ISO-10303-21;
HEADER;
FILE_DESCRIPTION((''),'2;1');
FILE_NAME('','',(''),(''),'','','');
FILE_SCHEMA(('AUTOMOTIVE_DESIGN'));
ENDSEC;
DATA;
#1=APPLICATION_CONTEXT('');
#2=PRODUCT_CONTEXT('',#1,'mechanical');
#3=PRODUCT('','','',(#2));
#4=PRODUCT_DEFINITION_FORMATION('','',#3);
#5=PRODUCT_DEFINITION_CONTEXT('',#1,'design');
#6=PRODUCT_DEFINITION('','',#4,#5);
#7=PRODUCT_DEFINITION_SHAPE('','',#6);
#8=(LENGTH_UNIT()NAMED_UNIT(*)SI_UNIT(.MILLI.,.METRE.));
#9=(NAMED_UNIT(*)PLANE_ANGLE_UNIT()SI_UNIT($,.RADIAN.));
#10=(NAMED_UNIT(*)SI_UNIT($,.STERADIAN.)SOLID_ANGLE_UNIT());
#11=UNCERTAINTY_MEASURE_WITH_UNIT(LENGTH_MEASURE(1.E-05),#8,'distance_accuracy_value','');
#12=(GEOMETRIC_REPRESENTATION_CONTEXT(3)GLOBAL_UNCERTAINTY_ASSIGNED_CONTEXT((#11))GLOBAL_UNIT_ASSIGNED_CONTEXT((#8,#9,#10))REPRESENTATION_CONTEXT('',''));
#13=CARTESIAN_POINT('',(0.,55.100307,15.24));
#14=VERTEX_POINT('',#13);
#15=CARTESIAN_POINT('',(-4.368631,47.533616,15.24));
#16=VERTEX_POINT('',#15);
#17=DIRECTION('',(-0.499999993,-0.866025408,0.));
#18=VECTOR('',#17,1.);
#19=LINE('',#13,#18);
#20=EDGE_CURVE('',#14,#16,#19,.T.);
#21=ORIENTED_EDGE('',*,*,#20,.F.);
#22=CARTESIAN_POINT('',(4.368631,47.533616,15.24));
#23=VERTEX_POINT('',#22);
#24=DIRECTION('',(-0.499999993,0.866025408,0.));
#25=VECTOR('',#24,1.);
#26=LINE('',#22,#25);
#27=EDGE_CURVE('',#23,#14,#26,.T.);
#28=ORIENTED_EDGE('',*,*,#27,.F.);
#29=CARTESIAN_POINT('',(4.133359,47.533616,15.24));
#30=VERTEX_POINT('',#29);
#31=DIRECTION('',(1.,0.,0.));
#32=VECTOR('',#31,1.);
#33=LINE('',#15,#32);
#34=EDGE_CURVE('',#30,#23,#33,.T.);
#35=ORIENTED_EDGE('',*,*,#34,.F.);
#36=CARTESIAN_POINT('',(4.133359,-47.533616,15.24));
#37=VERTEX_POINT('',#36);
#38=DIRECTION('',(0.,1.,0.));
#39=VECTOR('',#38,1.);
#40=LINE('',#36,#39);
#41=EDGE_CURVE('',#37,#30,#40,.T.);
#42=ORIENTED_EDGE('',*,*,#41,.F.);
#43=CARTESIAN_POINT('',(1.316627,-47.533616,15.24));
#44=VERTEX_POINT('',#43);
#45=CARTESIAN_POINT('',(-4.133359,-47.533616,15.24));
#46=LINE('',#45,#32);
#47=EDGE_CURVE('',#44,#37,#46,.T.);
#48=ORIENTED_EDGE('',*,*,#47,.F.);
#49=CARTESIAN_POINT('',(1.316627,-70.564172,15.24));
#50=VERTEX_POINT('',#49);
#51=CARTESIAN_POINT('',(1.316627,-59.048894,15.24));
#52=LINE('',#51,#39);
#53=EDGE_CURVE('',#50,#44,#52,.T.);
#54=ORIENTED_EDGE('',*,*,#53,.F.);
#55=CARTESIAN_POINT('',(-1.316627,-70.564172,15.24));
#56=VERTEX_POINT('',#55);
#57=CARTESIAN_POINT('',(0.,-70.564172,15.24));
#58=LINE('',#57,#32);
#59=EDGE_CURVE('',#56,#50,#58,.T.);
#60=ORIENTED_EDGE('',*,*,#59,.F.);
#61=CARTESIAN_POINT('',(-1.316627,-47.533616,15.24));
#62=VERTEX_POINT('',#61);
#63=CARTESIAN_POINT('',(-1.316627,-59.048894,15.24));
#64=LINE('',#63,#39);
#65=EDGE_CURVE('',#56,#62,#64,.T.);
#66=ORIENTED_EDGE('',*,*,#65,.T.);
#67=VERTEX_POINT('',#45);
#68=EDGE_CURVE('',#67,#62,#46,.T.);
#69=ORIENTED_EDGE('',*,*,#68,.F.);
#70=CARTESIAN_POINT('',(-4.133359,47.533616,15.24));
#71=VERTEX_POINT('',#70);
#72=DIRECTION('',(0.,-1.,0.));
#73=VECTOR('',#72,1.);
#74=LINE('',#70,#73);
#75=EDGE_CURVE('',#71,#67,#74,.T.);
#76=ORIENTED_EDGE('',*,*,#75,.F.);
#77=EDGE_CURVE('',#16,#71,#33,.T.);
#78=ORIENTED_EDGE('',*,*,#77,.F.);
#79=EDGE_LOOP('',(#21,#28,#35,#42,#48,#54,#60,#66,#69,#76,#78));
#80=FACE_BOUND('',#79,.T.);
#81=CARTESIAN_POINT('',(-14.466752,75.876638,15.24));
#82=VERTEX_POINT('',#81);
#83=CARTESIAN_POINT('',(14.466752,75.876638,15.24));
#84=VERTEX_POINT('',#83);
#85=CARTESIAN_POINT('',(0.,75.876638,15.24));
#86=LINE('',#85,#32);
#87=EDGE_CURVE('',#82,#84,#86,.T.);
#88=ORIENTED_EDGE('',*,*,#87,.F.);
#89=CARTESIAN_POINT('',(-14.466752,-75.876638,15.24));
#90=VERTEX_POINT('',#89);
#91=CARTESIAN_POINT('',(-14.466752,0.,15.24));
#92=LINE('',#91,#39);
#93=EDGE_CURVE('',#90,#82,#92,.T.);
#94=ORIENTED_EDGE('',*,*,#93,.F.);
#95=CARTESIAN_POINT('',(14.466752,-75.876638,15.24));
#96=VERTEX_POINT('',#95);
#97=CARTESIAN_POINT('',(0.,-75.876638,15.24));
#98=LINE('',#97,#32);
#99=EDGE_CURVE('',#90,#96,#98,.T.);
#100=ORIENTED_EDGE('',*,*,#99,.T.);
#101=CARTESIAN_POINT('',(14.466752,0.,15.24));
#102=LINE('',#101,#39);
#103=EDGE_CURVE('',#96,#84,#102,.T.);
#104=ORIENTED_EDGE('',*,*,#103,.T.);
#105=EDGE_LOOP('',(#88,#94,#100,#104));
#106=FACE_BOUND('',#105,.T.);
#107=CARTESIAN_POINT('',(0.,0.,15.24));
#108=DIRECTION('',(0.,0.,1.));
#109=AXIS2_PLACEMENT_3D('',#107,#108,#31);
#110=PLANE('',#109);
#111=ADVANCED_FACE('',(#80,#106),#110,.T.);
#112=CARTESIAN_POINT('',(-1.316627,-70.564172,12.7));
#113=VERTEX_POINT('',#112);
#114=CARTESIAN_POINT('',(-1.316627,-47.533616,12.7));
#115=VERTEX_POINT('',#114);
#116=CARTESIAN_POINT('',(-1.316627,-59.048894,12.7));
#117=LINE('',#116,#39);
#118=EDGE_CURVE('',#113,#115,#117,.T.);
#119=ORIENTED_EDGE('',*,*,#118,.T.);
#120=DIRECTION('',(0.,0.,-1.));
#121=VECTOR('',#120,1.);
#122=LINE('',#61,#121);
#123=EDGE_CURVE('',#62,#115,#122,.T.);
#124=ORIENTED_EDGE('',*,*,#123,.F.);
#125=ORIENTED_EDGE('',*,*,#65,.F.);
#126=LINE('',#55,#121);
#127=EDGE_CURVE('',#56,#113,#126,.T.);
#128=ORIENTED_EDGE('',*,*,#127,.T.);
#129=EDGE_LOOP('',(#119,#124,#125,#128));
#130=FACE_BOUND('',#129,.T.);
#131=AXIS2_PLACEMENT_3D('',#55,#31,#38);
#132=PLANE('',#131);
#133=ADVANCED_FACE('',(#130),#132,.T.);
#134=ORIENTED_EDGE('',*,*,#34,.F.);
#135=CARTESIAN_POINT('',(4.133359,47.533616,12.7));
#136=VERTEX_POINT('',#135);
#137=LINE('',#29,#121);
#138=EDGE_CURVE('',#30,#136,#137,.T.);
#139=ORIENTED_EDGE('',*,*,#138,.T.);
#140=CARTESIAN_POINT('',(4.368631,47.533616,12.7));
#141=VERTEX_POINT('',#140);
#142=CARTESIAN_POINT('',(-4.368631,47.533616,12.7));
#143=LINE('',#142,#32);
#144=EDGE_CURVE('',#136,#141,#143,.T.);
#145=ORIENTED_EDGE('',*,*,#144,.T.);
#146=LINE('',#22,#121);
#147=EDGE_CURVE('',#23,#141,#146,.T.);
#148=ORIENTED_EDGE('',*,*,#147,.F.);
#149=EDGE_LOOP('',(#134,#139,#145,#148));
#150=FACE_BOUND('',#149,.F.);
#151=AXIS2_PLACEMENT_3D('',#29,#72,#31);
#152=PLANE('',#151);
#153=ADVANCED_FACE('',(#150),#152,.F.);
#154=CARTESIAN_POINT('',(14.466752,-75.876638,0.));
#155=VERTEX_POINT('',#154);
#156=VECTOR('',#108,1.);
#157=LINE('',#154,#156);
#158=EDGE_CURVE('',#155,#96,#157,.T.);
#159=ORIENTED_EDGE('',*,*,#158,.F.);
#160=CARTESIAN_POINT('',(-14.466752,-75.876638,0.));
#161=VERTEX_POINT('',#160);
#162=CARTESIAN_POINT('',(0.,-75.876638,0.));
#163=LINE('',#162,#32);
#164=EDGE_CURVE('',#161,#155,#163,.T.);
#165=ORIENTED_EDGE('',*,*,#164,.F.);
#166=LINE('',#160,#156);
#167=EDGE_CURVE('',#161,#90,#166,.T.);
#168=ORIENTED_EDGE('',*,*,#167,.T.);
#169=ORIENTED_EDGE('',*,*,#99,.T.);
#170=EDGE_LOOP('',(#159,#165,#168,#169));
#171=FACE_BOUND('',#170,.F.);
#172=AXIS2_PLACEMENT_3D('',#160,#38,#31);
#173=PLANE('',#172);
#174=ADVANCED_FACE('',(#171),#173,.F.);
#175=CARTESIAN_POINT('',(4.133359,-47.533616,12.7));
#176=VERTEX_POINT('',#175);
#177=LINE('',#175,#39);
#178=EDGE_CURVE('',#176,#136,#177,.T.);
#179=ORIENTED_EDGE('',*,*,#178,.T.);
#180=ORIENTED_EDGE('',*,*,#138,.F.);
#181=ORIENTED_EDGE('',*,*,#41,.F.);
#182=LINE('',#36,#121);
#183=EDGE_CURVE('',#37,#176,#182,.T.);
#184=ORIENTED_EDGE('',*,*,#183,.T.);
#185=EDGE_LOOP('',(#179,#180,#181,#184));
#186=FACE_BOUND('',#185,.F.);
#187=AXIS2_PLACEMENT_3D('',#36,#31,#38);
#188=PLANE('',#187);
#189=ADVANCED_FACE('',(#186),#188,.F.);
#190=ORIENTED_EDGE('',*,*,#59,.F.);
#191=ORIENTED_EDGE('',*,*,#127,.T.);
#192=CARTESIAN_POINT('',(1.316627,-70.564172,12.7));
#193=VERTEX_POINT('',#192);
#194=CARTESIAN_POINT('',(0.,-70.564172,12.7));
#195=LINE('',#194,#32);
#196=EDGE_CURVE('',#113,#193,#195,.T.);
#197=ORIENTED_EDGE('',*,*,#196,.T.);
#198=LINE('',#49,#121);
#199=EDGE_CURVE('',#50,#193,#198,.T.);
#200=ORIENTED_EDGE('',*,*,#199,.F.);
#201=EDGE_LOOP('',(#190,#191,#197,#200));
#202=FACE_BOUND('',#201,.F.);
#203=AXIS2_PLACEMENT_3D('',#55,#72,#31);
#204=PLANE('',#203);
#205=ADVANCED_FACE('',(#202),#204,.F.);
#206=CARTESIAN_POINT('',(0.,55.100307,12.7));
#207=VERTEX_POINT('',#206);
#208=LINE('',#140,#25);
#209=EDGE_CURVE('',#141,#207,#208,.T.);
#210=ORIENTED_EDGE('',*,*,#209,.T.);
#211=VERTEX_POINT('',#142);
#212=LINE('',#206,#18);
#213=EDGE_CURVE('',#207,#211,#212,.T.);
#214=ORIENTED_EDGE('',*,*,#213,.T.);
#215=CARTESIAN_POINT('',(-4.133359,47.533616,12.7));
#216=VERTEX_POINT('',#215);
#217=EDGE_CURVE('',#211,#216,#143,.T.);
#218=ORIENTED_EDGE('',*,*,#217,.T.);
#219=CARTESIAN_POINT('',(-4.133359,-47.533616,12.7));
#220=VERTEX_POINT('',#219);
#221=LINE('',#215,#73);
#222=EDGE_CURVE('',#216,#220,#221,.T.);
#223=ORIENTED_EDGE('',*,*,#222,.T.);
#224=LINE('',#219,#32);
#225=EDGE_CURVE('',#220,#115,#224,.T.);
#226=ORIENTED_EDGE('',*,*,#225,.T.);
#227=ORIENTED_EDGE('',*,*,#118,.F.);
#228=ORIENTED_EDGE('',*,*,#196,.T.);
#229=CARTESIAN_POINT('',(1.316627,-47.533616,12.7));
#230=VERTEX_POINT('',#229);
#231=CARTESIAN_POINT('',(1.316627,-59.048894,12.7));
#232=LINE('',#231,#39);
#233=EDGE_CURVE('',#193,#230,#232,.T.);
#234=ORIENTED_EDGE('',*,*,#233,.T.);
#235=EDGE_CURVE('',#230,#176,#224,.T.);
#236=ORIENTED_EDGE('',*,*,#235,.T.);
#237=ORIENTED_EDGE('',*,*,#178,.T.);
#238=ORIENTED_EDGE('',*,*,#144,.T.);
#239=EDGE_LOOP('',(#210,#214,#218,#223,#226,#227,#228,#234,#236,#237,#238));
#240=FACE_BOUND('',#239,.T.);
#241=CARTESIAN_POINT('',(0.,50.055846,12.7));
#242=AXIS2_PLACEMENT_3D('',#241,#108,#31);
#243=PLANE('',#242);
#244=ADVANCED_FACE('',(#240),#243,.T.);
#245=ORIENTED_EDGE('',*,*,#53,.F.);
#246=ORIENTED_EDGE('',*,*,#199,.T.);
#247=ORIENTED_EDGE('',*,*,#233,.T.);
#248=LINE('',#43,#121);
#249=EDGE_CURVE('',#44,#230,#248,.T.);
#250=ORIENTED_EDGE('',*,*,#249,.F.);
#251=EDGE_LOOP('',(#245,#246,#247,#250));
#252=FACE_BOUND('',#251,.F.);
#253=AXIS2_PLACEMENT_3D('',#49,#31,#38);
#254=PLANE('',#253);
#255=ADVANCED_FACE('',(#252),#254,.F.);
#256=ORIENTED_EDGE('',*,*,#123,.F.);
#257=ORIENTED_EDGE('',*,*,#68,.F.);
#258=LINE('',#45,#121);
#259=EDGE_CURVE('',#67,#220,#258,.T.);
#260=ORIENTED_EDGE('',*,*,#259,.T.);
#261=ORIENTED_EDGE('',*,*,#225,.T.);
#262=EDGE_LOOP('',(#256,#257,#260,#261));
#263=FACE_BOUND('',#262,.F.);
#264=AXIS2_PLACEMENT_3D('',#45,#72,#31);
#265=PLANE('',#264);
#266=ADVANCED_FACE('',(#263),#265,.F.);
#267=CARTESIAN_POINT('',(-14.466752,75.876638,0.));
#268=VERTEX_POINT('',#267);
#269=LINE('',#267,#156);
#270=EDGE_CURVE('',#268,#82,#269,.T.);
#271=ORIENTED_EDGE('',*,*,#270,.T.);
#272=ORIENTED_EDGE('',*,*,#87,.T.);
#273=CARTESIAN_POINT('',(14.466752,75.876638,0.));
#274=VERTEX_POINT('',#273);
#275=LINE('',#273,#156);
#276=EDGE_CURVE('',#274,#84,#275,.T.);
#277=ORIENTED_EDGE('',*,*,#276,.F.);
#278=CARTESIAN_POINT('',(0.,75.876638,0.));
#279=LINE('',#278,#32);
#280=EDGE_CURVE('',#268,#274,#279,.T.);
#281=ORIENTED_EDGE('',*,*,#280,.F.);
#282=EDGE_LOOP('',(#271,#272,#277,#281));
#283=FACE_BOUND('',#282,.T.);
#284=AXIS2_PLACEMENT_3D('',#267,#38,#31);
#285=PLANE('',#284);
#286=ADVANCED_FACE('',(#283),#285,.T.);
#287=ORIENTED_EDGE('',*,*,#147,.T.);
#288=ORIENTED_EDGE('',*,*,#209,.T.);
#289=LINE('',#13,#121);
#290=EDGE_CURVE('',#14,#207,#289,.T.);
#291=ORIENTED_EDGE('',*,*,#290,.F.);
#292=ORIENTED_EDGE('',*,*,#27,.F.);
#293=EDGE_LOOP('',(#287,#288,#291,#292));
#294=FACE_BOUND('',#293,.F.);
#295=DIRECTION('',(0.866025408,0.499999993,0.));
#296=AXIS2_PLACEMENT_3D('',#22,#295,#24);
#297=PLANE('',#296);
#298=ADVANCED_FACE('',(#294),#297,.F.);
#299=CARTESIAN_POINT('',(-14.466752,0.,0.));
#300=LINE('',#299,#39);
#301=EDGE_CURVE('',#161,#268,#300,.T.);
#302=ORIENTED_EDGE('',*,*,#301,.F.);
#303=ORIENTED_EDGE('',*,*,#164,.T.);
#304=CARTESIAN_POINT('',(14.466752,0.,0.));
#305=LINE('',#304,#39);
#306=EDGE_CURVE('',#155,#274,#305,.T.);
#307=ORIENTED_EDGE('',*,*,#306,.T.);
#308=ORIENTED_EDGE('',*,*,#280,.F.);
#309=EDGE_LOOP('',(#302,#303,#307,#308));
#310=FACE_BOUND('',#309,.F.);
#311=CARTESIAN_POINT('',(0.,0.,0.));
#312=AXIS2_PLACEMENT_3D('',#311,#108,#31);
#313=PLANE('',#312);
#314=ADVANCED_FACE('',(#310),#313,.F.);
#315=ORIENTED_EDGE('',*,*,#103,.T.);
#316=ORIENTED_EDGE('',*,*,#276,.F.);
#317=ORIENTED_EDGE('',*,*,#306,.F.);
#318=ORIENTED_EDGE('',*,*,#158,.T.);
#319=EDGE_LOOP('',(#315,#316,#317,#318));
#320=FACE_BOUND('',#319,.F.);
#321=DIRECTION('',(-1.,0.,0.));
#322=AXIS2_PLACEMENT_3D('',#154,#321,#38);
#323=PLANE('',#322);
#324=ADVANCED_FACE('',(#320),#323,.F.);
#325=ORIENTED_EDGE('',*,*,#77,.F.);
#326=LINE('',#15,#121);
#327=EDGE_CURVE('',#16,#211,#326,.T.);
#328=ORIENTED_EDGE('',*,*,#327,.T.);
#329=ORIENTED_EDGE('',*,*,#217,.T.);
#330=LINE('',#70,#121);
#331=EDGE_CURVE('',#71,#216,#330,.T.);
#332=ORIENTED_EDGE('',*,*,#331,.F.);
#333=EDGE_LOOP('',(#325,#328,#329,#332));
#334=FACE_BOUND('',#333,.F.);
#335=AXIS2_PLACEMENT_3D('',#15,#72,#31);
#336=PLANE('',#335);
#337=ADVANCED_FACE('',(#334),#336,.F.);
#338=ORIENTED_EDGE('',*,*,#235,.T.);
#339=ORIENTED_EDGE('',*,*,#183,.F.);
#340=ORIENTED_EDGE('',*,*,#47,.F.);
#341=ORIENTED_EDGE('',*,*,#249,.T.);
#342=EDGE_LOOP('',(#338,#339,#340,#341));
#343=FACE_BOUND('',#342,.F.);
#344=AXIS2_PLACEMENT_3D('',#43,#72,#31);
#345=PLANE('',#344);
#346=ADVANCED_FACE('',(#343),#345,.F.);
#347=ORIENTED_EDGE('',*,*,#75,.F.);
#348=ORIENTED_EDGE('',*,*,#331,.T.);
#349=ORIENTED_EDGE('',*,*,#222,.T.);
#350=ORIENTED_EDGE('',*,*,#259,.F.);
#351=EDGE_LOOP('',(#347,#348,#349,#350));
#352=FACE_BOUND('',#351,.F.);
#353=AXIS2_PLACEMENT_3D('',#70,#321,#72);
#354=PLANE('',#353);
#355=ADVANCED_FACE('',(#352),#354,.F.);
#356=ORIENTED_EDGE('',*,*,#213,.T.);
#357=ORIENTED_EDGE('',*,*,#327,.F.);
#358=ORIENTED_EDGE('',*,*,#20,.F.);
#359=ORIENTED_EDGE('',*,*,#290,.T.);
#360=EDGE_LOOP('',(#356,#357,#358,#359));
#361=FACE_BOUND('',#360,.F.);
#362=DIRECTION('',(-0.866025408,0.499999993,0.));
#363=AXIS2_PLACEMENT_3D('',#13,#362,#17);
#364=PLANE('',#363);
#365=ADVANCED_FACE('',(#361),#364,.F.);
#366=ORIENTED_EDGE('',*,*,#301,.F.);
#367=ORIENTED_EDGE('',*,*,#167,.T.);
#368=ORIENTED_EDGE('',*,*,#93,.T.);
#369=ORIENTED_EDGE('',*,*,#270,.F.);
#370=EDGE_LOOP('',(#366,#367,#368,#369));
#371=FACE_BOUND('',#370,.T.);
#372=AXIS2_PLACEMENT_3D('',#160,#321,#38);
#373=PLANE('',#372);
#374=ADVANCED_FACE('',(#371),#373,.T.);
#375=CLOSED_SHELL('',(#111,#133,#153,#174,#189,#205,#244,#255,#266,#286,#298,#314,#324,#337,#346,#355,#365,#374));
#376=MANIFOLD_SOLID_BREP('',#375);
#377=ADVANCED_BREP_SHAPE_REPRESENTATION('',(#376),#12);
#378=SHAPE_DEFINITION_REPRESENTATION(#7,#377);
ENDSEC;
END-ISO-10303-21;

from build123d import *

# Parameters (mm, degrees)
F0_W     = 28.933504
F0_H     = 151.753276
F1_DEPTH = 15.24
F2_W     = 2.633254
F2_H     = 23.030557
F3_DEPTH = 2.54


with BuildPart() as f1:
    # F0 (on Top) → F1 (new body)
    with BuildSketch(Plane.XY):
        Rectangle(F0_W, F0_H)
    extrude(amount=F1_DEPTH)

    # F2 (on face) → F3 (cut)
    with BuildSketch(Plane.XY.offset(15.24)):
        Polygon((-4.133359, 47.533616), (4.133359, 47.533616), (4.368631, 47.533616), (0, 55.100307), (-4.368631, 47.533616), align=None)
        Polygon((4.133359, -47.533616), (4.133359, 47.533616), (-4.133359, 47.533616), (-4.133359, -47.533616), (-1.316627, -47.533616), (1.316627, -47.533616), align=None)
        with Locations((0, -59.048894)):
            Rectangle(F2_W, F2_H)
    extrude(amount=-F3_DEPTH, mode=Mode.SUBTRACT)


solid = f1.part
